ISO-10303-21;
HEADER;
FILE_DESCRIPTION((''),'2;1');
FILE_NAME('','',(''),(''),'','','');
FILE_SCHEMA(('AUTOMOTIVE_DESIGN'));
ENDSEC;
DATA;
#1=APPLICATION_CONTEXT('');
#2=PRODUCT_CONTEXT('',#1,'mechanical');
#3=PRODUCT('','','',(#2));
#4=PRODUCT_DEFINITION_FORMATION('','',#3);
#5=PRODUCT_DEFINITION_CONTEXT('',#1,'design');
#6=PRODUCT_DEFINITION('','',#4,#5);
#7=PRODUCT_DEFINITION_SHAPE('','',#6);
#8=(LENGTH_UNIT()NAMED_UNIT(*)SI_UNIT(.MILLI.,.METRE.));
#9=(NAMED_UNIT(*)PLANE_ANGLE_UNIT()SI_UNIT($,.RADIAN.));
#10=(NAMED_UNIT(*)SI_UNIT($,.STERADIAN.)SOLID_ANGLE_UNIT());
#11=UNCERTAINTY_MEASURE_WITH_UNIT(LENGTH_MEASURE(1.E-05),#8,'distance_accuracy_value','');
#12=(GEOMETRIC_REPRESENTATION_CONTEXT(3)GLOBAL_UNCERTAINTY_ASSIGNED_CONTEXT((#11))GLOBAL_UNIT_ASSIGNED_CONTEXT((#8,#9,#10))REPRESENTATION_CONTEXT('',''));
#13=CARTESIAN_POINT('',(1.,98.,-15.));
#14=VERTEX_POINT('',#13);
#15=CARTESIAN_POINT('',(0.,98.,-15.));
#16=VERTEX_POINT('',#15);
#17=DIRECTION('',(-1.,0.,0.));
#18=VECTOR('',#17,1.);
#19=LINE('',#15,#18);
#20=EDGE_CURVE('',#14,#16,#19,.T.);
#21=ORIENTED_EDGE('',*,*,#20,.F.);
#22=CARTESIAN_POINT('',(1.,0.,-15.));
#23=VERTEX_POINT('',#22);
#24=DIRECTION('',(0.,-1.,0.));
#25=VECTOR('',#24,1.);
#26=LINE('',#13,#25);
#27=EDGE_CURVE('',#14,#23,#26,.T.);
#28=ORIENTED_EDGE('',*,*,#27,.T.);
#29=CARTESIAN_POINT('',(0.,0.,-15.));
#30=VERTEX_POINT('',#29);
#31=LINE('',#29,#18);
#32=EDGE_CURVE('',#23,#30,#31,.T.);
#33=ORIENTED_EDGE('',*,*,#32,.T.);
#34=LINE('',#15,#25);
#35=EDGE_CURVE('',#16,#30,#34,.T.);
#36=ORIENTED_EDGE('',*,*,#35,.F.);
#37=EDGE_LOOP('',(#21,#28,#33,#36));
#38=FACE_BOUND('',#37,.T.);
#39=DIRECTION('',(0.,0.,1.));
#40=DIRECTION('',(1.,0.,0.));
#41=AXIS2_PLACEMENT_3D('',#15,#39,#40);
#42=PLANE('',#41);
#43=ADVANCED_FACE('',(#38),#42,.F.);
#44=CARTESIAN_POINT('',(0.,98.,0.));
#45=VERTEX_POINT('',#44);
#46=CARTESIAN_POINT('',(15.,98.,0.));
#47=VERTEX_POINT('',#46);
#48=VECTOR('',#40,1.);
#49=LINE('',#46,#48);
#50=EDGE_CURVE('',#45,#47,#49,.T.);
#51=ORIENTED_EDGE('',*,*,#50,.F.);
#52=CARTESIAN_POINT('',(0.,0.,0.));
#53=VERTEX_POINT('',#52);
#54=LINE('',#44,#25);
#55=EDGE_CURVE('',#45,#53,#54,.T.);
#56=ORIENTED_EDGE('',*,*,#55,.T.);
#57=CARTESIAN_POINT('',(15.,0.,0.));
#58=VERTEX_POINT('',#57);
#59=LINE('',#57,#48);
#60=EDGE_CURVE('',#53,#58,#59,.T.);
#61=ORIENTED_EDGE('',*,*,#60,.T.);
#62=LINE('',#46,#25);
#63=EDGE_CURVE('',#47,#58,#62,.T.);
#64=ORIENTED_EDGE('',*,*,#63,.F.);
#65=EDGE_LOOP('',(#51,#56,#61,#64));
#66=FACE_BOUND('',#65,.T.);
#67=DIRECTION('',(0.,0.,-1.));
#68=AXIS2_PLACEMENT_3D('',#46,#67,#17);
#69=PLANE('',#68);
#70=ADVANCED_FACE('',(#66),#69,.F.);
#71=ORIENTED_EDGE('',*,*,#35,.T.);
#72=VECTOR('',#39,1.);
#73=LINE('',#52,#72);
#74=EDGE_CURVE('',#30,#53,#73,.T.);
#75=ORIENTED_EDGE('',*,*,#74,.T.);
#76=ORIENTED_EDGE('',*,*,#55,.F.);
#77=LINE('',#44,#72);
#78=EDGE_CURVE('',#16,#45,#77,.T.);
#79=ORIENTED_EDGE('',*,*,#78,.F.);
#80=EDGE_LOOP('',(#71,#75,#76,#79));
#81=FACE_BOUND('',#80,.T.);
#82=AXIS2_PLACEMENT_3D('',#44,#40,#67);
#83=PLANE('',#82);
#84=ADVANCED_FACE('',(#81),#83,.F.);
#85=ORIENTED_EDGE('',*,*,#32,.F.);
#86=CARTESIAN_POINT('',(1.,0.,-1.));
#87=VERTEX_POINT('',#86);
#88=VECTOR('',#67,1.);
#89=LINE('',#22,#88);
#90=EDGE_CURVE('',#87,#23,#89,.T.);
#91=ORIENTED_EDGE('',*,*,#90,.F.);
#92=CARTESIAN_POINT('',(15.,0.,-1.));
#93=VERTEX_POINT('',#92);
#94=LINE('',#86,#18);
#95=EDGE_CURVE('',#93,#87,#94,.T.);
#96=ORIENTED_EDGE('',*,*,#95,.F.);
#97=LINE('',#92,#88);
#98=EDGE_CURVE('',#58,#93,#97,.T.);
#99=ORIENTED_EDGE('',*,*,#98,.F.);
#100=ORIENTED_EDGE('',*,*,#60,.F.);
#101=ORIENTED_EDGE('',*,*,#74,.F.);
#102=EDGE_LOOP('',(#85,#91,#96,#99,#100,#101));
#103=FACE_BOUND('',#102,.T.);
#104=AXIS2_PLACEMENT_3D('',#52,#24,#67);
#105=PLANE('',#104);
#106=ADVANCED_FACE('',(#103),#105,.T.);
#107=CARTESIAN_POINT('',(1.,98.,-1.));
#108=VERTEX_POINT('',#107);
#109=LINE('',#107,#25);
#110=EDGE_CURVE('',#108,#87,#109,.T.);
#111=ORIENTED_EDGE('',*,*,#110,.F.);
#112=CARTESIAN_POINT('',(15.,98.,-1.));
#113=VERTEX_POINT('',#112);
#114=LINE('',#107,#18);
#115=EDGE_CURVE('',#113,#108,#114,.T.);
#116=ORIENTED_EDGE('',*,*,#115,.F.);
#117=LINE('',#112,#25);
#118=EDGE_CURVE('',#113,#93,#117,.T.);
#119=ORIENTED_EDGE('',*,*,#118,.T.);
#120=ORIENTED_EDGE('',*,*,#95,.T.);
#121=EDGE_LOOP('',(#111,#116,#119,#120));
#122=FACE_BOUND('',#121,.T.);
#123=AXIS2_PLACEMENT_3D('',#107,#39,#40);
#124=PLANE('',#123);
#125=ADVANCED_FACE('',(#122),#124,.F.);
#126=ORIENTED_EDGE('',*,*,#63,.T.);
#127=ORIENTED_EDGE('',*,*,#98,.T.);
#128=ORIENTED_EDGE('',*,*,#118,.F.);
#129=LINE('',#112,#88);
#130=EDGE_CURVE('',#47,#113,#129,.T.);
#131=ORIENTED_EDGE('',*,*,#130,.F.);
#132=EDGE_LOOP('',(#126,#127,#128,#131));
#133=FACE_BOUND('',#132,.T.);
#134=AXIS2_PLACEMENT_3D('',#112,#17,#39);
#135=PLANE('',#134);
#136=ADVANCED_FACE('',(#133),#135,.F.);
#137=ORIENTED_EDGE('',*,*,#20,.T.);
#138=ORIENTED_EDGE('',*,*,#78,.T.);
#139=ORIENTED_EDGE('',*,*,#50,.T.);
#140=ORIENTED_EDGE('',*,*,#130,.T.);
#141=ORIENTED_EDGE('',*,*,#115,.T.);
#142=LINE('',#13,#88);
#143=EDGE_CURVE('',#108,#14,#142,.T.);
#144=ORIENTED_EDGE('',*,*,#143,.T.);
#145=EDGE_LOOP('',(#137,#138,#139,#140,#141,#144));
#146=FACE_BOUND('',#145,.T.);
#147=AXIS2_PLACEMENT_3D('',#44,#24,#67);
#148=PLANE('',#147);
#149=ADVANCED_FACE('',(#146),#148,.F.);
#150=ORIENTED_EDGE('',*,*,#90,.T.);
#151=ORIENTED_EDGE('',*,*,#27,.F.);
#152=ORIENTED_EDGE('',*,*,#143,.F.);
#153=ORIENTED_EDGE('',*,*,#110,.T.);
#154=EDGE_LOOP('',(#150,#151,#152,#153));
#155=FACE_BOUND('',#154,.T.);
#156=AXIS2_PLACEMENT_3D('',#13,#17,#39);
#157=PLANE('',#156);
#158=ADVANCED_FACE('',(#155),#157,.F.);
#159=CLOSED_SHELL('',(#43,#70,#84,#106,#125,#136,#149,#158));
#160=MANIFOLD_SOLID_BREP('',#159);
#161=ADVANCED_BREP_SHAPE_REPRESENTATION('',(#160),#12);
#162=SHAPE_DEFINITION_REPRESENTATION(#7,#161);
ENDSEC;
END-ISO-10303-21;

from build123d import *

# Parameters (mm, degrees)
EXTRUDE_1_DEPTH = 98


with BuildPart() as part:
    # Эскиз1 → Бобышка-Вытянуть1 (new body)
    with BuildSketch(Plane(origin=(0, 0, 0), x_dir=(1, 0, 0), z_dir=(0, 1, 0))):
        Polygon((0, 0), (0, 15), (1, 15), (1, 1), (15, 1), (15, 0), align=None)
    extrude(amount=EXTRUDE_1_DEPTH)


solid = part.part
